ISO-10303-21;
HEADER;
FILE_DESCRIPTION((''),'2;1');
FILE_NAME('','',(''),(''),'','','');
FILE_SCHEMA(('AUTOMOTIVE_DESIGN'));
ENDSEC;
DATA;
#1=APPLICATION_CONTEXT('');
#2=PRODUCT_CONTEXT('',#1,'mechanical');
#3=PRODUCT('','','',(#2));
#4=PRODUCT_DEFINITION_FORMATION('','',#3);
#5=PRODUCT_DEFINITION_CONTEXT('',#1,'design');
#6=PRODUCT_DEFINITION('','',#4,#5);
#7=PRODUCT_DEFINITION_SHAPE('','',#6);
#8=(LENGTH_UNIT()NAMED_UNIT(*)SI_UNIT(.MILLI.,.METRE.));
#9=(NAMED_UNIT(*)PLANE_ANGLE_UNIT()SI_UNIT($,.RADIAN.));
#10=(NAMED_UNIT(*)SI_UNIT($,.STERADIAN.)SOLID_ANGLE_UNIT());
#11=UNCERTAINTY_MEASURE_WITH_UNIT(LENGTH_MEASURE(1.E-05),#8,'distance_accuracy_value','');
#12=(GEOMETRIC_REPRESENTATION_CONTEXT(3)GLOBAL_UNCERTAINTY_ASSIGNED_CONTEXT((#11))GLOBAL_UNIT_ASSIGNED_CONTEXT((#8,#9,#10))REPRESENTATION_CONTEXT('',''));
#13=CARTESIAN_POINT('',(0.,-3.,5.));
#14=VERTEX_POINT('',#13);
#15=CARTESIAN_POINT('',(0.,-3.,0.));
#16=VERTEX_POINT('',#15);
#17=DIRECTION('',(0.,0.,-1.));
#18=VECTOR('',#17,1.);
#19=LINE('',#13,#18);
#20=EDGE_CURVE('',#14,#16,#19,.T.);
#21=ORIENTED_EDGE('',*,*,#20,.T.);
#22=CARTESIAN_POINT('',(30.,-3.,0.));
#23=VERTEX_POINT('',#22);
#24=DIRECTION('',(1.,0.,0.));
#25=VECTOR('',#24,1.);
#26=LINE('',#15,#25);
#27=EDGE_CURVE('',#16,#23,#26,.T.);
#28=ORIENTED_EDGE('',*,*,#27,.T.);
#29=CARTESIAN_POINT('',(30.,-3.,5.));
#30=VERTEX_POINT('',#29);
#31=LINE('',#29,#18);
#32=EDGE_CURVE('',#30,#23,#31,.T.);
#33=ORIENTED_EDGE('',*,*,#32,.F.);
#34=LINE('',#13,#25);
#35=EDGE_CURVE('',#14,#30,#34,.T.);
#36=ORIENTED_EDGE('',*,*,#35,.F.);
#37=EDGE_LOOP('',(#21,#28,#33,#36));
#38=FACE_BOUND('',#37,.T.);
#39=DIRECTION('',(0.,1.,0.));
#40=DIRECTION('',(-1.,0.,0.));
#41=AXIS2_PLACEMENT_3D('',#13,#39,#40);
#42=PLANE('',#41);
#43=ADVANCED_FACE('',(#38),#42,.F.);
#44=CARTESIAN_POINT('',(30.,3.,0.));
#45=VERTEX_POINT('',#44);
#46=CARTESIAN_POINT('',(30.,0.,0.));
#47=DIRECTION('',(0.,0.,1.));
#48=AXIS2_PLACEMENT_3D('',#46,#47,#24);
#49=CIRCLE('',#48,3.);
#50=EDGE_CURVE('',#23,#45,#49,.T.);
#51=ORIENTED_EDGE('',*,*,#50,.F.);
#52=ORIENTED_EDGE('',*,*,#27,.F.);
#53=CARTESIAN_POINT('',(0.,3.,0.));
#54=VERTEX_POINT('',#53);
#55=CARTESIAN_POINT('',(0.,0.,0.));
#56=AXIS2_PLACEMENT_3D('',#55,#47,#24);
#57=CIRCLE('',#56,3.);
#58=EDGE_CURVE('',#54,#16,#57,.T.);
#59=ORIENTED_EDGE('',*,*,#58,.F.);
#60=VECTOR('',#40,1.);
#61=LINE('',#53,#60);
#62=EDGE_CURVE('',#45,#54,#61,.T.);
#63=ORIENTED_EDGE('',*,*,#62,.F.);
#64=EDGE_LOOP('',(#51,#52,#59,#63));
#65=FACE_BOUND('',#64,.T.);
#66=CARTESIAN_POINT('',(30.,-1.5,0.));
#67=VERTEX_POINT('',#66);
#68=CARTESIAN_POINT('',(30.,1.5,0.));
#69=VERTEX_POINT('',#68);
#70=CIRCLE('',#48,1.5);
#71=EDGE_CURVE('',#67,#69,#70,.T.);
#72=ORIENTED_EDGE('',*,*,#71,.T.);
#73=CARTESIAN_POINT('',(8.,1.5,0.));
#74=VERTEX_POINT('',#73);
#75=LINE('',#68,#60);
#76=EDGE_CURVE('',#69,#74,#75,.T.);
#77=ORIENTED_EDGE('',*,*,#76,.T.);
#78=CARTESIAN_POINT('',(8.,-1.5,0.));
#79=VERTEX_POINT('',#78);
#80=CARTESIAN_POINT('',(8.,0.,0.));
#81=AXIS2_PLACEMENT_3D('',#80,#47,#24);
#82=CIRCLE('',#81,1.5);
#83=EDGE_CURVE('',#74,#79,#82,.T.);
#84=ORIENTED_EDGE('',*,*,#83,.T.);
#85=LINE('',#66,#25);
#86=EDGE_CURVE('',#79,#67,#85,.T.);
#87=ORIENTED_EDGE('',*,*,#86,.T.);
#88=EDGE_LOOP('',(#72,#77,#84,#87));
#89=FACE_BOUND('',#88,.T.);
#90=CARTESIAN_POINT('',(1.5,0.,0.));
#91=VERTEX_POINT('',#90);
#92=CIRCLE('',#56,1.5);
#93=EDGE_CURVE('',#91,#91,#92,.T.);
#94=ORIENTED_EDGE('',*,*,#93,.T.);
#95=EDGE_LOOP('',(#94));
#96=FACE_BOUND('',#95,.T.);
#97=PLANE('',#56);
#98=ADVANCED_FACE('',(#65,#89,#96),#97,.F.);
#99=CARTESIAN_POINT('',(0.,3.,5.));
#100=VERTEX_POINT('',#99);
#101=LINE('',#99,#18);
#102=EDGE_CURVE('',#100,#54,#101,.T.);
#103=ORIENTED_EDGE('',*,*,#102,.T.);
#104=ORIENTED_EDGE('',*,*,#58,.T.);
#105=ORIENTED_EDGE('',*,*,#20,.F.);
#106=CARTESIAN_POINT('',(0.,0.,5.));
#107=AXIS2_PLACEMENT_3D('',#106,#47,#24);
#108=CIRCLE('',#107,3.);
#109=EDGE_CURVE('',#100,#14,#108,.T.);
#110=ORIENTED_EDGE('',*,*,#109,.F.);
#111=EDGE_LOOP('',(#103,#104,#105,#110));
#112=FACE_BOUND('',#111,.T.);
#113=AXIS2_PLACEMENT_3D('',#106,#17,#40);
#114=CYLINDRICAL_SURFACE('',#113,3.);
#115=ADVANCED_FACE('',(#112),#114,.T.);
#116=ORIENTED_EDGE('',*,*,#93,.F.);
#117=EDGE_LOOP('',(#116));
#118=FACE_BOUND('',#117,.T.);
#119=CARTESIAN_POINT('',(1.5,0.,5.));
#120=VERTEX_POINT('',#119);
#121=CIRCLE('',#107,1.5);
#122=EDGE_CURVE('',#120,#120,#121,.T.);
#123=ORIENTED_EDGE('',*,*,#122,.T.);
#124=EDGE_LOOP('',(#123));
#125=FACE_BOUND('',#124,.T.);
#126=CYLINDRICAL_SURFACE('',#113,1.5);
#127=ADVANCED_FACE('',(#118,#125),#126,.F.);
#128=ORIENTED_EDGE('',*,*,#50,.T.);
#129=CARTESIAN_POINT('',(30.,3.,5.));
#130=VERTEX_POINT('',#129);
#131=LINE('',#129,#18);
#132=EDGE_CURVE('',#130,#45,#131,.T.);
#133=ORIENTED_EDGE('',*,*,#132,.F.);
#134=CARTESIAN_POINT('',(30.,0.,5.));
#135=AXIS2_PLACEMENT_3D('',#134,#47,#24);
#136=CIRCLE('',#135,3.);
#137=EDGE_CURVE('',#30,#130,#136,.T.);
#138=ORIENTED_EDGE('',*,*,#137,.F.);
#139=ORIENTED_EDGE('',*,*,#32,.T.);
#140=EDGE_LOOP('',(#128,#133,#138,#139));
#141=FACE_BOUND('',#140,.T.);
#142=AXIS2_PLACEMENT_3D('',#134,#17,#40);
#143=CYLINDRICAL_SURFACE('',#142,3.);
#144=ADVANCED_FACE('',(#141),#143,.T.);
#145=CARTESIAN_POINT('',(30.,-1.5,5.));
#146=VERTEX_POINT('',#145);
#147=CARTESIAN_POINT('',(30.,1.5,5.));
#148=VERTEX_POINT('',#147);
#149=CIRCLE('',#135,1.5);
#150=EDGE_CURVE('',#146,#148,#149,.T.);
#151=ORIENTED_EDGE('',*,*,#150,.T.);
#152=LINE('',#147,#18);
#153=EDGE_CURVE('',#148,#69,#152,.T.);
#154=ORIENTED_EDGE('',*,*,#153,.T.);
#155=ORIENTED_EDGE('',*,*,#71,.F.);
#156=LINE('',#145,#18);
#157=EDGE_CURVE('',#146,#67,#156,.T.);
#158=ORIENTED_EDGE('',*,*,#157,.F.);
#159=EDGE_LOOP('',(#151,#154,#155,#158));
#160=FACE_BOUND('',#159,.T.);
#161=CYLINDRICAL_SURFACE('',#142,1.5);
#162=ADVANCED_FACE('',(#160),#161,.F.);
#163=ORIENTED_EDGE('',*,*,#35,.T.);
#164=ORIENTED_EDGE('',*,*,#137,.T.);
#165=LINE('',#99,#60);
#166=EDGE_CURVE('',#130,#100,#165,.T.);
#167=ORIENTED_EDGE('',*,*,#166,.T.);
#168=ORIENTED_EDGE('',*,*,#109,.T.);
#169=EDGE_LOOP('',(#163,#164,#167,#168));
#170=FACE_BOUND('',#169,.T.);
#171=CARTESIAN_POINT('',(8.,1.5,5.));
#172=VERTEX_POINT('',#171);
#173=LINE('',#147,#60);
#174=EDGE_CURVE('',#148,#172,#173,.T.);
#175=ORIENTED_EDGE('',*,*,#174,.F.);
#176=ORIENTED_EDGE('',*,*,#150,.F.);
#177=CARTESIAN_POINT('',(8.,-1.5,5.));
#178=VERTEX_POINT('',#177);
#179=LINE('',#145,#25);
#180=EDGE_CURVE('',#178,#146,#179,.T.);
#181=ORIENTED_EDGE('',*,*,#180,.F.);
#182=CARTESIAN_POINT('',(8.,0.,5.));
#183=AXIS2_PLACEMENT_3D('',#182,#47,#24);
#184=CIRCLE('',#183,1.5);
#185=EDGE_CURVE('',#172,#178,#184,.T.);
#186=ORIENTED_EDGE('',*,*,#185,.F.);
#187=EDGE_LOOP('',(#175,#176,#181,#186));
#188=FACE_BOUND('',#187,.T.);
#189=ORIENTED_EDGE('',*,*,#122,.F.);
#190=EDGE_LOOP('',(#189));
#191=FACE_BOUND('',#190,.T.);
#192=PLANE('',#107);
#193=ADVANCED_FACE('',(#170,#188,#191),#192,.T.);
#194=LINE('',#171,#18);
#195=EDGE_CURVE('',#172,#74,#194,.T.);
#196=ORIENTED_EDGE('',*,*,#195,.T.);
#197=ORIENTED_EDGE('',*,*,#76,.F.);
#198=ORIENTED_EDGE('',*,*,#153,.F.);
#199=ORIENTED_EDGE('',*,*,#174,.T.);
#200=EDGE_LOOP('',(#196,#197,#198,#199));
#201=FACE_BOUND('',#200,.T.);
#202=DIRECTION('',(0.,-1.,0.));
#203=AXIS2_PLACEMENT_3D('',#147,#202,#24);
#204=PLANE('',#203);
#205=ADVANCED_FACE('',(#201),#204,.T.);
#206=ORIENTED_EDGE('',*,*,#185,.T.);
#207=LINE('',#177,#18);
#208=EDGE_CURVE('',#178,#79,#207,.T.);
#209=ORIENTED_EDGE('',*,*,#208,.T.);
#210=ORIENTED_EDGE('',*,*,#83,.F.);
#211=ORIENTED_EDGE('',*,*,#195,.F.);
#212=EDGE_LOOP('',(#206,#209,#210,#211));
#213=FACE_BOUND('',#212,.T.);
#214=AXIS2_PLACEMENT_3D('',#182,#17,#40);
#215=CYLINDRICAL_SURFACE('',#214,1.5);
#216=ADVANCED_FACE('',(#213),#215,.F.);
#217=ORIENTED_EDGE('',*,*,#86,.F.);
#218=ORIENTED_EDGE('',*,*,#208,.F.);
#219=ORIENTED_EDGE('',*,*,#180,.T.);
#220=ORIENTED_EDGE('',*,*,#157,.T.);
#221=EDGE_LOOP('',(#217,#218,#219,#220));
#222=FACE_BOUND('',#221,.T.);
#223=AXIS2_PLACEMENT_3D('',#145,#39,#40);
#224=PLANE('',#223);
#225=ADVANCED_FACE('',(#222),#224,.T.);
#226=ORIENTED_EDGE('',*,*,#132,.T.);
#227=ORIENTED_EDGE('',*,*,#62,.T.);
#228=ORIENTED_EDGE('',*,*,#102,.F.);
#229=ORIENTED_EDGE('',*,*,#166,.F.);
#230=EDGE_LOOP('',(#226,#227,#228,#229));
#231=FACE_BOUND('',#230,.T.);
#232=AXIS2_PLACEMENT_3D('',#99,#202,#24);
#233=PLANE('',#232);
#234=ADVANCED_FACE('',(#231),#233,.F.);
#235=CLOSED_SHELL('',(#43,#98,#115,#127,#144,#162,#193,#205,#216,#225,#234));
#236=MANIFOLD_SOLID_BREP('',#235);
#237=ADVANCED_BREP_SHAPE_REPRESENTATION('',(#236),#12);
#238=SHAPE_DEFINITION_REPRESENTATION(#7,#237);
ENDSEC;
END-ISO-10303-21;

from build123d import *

# Parameters (mm, degrees)
SKETCH1_R           = 1.5
BOSS_EXTRUDE1_DEPTH = 5


with BuildPart() as part:
    # Sketch1 → Boss-Extrude1 (new body)
    with BuildSketch(Plane.XY):
        with BuildLine():
            Line((0, 3), (30, 3))
            ThreePointArc((30, 3), (33, 0), (30, -3))
            Line((30, -3), (0, -3))
            ThreePointArc((0, -3), (-3, 0), (0, 3))
        make_face()
        Circle(SKETCH1_R, mode=Mode.SUBTRACT)
        with BuildLine():
            Line((30, -1.5), (8, -1.5))
            ThreePointArc((8, -1.5), (6.5, 0), (8, 1.5))
            Line((8, 1.5), (30, 1.5))
            ThreePointArc((30, 1.5), (31.5, 0), (30, -1.5))
        make_face(mode=Mode.SUBTRACT)
    extrude(amount=BOSS_EXTRUDE1_DEPTH)


solid = part.part
